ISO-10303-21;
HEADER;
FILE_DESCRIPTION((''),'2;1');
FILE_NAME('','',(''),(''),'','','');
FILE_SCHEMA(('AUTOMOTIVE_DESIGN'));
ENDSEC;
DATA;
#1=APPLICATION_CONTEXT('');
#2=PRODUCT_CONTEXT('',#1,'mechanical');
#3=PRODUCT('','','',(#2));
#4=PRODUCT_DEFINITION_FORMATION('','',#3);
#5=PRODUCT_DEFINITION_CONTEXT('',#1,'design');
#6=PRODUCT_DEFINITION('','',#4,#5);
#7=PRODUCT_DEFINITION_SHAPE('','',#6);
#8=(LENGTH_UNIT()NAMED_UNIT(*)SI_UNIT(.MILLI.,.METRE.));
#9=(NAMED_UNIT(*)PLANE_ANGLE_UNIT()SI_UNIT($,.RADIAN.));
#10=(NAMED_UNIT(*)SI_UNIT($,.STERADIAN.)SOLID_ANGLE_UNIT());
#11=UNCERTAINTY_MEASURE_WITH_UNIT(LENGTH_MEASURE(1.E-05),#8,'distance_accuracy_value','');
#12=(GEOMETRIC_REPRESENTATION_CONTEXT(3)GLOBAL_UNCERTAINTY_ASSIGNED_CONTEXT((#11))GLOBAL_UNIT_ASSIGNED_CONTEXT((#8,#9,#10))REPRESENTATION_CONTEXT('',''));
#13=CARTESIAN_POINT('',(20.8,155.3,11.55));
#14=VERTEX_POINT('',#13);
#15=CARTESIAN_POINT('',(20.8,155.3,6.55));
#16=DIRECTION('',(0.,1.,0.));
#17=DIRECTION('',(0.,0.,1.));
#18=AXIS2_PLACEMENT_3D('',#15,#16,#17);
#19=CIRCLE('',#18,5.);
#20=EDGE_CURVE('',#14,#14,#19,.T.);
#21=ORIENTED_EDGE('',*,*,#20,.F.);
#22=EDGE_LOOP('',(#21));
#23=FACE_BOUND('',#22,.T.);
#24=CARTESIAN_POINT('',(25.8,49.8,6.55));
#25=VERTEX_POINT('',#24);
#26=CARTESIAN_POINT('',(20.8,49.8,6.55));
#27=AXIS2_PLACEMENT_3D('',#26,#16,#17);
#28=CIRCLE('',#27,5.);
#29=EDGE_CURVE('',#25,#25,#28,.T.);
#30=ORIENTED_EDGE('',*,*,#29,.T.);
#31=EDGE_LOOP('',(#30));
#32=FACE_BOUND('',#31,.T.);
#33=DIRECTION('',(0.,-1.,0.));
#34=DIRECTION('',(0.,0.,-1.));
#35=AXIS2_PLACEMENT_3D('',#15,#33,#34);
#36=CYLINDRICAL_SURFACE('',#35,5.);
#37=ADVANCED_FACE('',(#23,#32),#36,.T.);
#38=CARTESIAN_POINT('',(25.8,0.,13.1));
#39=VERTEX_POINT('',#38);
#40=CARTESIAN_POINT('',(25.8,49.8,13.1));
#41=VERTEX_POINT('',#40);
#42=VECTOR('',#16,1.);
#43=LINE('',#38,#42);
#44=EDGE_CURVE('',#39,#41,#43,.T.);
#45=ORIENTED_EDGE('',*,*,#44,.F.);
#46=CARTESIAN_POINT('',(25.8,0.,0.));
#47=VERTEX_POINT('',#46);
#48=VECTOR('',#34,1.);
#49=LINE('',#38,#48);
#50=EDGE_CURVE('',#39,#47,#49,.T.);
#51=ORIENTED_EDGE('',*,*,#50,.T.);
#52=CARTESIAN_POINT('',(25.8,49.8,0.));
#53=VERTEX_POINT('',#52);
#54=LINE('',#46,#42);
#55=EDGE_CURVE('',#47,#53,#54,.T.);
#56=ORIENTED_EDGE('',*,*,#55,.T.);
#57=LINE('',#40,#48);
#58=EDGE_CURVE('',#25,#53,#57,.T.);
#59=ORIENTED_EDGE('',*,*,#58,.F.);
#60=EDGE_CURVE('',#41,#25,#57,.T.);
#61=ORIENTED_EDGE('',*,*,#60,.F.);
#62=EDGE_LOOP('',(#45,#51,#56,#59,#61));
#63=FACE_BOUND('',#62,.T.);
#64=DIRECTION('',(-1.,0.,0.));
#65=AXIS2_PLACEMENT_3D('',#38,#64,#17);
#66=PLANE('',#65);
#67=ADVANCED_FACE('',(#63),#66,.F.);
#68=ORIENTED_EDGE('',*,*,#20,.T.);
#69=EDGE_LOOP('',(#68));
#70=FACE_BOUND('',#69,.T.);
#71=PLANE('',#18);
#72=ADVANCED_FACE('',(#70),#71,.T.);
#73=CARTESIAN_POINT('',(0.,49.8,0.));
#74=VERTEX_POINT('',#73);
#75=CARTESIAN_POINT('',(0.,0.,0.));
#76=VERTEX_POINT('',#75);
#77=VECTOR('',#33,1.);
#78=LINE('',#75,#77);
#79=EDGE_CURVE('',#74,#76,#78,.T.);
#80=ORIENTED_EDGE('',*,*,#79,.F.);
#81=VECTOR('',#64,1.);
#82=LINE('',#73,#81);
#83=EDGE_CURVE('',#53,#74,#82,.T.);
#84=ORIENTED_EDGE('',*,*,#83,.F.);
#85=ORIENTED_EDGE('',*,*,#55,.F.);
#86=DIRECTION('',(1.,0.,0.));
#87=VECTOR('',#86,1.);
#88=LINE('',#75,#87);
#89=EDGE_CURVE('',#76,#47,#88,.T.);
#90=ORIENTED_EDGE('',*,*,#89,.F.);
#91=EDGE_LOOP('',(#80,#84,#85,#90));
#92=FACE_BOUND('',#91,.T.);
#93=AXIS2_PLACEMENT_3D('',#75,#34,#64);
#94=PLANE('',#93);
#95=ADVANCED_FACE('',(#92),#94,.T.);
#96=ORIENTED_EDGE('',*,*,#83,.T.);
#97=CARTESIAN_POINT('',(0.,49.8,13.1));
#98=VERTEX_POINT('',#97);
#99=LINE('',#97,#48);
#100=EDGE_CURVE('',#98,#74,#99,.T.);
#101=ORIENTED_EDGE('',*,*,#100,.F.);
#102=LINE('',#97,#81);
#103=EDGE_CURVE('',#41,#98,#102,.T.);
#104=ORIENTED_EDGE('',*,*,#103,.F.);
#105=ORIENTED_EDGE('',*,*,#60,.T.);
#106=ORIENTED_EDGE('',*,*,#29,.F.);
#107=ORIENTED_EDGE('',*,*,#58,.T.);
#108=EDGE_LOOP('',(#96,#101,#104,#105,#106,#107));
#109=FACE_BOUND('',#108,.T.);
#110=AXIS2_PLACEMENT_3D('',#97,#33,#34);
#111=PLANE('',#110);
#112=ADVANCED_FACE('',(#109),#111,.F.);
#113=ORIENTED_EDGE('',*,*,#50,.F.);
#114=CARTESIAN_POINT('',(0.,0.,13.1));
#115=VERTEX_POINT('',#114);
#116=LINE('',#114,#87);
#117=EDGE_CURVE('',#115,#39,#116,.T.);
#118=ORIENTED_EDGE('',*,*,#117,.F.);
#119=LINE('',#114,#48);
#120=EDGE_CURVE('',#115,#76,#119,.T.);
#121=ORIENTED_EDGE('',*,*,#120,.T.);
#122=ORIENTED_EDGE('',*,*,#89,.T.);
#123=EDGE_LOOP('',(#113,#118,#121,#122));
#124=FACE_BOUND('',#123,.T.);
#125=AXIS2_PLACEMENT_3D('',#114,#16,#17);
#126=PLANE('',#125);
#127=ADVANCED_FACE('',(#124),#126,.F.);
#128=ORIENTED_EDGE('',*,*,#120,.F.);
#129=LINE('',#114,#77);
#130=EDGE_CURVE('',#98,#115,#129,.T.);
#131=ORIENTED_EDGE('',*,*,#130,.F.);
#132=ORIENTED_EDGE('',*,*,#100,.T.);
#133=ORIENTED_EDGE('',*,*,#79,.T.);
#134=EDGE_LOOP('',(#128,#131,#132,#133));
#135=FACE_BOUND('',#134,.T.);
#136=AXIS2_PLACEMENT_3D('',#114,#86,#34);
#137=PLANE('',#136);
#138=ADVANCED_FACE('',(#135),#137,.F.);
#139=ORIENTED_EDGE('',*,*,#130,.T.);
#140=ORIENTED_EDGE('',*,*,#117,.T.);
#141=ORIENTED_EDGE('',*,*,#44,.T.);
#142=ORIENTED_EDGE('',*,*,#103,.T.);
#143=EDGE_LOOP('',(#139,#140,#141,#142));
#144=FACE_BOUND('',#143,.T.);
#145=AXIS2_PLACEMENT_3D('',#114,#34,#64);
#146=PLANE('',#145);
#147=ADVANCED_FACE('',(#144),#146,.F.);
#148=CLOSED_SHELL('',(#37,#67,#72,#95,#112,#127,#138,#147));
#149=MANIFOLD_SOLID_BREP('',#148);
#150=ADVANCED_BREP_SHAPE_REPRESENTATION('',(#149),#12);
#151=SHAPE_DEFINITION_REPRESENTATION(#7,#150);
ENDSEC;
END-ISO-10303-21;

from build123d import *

# Parameters (mm, degrees)
SKETCH2_W           = 25.8
SKETCH2_H           = 49.8
BOSS_EXTRUDE1_DEPTH = 13.1
SKETCH3_R           = 5
BOSS_EXTRUDE2_DEPTH = 105.5


with BuildPart() as part:
    # Sketch2 → Boss-Extrude1 (new body)
    with BuildSketch(Plane.XY):
        with Locations((12.9, 24.9)):
            Rectangle(SKETCH2_W, SKETCH2_H)
    extrude(amount=BOSS_EXTRUDE1_DEPTH)

    # Sketch3 → Boss-Extrude2 (add)
    with BuildSketch(Plane(origin=(0, 49.8, 0), x_dir=(1, 0, 0), z_dir=(0, 1, 0))):
        with Locations((20.8, -6.55)):
            Circle(SKETCH3_R)
    extrude(amount=BOSS_EXTRUDE2_DEPTH)


solid = part.part
